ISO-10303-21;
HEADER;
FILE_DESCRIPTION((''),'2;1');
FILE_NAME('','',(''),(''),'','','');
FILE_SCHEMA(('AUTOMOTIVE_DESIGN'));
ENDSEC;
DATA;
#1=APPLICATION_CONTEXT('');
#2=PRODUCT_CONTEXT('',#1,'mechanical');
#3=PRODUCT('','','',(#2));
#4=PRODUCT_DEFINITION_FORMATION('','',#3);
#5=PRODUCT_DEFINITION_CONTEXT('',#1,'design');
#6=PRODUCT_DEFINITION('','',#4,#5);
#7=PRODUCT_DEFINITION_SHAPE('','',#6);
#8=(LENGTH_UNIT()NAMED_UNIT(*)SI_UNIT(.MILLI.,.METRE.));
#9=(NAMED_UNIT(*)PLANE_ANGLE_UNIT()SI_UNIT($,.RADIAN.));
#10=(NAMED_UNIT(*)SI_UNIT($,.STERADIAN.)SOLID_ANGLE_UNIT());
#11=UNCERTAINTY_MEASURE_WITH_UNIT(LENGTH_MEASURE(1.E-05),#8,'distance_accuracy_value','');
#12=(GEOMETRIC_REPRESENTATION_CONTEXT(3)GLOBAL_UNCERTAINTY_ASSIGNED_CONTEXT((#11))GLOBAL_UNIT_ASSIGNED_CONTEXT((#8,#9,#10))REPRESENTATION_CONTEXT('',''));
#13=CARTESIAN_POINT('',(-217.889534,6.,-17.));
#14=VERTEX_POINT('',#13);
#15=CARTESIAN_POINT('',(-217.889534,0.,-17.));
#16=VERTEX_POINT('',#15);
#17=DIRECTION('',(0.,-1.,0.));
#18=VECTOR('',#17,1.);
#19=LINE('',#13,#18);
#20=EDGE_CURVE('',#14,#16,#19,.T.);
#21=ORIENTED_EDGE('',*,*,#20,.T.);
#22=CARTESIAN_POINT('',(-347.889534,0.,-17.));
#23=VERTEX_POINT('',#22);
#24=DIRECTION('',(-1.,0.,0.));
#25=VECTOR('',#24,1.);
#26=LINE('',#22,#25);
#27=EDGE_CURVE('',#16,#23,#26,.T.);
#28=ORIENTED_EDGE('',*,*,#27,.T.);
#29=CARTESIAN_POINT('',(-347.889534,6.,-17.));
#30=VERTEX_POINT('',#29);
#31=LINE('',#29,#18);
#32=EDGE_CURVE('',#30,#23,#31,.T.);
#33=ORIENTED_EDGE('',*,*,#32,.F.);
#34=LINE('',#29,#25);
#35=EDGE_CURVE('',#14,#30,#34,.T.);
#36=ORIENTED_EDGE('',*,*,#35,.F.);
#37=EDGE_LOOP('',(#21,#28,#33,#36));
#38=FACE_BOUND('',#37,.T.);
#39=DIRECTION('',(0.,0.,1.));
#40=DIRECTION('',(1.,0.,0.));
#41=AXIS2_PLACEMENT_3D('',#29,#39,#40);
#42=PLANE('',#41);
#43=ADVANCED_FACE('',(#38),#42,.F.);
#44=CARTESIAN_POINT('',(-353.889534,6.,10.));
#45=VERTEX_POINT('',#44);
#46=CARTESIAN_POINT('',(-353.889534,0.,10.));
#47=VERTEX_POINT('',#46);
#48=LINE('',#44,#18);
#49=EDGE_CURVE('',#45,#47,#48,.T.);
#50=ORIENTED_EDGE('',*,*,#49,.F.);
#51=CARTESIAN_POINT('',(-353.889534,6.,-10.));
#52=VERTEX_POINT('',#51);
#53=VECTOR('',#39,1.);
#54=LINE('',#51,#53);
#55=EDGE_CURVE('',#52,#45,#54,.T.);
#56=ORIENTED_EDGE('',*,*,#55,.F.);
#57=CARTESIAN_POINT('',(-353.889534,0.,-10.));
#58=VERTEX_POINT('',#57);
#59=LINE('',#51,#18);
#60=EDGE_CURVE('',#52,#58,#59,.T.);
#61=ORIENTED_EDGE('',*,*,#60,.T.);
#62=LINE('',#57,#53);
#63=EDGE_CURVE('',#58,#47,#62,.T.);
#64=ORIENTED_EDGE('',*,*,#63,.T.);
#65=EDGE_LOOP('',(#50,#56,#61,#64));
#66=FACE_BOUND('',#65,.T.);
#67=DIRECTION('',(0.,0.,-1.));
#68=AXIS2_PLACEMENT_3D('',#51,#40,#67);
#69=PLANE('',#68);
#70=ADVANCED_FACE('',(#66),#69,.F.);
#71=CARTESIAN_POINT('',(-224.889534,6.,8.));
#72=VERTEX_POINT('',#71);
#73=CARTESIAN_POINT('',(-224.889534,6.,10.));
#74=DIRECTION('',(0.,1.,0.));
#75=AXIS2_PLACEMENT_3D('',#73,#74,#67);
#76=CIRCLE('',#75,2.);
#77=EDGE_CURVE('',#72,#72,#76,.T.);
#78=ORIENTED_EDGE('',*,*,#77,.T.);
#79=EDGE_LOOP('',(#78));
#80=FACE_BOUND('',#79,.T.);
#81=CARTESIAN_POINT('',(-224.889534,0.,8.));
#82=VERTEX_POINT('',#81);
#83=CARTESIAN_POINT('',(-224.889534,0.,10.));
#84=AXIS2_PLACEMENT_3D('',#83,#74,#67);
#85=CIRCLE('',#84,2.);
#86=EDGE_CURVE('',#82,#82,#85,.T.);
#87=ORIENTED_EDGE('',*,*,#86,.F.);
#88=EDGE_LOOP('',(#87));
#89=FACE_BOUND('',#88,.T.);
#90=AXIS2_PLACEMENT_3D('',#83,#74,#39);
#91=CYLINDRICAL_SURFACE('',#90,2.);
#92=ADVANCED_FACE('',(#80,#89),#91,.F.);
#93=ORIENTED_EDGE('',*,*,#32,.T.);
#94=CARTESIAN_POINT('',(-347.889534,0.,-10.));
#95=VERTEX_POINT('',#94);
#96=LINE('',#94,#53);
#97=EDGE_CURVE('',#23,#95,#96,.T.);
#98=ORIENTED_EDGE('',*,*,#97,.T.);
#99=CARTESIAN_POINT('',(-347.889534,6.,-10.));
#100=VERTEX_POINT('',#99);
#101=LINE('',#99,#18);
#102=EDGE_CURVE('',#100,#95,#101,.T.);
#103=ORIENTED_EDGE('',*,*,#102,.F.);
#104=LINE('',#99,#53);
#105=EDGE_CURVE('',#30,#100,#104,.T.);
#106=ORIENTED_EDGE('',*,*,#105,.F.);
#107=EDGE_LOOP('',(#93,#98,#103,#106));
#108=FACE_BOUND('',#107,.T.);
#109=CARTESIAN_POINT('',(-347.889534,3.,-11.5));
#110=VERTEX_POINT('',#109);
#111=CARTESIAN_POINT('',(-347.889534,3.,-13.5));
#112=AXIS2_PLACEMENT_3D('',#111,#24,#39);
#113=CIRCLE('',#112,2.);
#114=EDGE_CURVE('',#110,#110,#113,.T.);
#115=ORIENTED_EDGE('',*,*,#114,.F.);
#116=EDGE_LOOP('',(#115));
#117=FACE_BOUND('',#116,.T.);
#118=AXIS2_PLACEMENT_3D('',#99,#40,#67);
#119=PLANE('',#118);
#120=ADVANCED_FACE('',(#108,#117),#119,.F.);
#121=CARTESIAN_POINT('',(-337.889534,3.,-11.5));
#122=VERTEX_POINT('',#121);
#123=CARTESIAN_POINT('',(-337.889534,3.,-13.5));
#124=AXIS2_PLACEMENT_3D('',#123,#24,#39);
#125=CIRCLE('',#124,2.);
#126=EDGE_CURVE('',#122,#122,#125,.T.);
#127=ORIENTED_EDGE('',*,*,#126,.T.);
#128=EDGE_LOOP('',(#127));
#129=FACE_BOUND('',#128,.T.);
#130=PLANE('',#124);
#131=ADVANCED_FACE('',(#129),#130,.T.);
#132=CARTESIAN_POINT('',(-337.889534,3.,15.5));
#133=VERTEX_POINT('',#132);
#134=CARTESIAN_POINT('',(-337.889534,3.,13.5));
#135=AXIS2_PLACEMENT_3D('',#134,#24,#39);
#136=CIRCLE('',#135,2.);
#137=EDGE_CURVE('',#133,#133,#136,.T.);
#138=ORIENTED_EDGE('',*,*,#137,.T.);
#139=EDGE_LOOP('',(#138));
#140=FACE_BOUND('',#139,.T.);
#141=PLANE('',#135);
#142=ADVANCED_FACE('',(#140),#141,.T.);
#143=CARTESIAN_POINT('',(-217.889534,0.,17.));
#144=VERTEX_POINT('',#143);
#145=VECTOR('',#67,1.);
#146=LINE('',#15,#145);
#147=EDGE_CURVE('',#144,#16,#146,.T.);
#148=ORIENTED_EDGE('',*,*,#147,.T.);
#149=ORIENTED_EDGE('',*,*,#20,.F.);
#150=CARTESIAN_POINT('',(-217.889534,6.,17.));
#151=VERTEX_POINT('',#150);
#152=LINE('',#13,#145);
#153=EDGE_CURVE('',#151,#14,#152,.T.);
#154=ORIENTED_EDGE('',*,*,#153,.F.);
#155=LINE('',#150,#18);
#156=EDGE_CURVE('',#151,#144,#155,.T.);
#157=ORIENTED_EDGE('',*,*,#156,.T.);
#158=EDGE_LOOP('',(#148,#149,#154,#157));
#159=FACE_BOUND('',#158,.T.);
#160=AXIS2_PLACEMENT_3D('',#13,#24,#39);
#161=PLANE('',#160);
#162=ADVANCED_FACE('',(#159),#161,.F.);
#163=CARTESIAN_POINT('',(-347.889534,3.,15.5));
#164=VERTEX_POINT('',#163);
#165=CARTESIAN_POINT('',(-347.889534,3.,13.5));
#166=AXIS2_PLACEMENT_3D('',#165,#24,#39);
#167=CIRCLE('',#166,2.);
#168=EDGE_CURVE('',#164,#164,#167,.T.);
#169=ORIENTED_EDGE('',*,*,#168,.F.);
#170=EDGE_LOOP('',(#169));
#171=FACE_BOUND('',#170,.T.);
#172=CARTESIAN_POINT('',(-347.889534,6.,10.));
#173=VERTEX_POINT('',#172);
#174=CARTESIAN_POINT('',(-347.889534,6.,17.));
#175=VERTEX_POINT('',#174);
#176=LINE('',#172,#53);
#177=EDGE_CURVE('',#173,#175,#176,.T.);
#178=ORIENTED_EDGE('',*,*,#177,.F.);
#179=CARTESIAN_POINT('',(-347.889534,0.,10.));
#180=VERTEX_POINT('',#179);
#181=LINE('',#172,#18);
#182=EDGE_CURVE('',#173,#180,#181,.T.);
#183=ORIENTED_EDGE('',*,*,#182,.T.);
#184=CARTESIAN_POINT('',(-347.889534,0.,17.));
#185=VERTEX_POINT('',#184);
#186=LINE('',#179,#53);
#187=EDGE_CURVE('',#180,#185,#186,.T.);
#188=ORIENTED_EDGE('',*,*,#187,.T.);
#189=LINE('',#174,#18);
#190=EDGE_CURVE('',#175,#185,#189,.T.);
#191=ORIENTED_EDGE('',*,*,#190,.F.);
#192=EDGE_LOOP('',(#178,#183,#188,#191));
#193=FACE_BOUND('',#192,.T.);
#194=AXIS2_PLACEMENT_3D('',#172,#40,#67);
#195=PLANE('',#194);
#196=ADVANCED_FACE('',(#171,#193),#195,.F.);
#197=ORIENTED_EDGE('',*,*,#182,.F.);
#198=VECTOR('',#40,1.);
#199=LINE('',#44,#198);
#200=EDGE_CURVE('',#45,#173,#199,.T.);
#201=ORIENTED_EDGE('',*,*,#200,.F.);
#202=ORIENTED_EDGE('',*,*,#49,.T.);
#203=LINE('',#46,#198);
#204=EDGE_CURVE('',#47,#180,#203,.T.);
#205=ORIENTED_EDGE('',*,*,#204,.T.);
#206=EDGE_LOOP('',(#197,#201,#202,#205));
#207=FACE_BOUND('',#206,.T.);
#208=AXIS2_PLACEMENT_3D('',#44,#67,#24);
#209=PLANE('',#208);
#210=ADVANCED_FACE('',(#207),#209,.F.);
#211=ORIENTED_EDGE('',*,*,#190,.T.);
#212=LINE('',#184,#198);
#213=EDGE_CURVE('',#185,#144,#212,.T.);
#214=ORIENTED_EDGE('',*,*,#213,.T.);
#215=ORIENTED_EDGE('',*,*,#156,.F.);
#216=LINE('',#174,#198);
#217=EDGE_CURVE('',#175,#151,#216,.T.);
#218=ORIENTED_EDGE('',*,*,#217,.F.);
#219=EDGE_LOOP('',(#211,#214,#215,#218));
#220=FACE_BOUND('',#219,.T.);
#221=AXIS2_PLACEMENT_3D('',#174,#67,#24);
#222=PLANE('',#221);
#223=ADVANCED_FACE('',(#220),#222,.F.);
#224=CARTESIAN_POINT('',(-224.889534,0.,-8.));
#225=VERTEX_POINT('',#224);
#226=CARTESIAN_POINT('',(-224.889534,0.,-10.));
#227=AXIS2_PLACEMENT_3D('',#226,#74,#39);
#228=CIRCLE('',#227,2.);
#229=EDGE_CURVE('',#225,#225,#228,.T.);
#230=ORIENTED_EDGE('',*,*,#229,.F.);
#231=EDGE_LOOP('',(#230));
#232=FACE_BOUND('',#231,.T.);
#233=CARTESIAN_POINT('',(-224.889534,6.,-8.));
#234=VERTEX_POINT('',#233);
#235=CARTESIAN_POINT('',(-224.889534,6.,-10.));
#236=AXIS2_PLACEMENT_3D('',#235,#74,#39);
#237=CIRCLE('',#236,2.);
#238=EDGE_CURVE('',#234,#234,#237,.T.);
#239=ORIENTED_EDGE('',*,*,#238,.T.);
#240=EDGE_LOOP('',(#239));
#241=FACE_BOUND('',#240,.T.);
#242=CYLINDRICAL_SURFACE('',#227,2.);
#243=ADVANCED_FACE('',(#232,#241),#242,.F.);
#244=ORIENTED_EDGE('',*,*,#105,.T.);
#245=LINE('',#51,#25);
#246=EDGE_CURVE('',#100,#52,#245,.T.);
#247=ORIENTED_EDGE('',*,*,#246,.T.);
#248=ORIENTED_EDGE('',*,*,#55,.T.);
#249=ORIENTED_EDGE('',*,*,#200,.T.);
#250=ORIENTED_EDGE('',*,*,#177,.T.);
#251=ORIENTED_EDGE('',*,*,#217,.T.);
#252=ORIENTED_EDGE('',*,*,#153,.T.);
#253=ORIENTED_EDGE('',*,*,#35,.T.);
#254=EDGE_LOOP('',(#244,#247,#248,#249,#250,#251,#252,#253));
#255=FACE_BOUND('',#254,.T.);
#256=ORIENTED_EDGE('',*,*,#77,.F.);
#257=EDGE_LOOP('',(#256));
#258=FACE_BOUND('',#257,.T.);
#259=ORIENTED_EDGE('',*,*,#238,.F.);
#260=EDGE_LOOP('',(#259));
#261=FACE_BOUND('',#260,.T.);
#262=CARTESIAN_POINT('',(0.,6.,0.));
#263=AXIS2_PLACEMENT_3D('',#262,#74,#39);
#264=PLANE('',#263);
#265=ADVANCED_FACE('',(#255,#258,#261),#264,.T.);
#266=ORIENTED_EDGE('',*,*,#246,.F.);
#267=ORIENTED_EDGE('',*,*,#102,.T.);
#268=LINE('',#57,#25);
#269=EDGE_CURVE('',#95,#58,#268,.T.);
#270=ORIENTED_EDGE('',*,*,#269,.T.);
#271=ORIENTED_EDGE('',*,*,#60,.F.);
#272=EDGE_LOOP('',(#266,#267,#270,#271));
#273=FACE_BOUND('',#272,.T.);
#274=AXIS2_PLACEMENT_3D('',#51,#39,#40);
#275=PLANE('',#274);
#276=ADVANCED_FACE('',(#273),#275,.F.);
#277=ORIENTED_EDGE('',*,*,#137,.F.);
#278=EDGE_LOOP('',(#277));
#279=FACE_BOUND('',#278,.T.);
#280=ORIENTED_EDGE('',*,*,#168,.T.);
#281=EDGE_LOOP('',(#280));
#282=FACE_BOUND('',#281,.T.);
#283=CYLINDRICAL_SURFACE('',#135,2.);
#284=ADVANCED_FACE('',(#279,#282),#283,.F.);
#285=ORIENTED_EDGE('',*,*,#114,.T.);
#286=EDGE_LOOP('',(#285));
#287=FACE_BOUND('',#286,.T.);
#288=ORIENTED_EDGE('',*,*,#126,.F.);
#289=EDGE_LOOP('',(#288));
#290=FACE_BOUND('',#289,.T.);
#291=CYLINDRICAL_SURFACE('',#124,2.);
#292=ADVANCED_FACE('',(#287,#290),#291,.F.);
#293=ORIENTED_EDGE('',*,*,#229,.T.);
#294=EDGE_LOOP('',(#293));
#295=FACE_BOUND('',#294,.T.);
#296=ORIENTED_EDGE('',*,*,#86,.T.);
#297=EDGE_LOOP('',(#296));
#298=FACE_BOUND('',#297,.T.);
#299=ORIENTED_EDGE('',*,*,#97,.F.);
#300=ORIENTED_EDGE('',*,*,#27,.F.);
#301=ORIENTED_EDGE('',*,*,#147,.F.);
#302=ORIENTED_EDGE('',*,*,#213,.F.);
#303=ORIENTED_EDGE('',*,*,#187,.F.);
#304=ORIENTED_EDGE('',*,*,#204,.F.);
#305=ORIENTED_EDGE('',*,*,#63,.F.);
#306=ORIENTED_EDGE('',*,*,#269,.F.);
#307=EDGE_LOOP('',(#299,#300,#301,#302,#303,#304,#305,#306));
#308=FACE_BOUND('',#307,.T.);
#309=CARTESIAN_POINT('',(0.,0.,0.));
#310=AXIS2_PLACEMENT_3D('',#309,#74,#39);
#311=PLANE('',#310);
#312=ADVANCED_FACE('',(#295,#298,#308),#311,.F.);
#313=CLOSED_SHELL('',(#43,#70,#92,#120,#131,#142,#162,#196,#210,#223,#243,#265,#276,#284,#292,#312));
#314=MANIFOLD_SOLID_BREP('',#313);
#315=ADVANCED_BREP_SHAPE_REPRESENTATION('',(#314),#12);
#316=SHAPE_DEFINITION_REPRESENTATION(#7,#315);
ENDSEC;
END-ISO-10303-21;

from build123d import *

# Parameters (mm, degrees)
BOSS_EXTRU_1_DEPTH      = 6
ESQUISSE3_R             = 2
ENL_V_MAT_EXTRU_2_DEPTH = 10
ESQUISSE5_R             = 2
ENL_V_MAT_EXTRU_3_DEPTH = 355.348418967


with BuildPart() as part:
    # Esquisse2 → Boss.-Extru.1 (new body)
    with BuildSketch(Plane(origin=(0, 0, 0), x_dir=(1, 0, 0), z_dir=(0, 1, 0))):
        Polygon((-347.889533646, 17), (-217.889533646, 17), (-217.889533646, -17), (-347.889533646, -17), (-347.889533646, -10), (-353.889533646, -10), (-353.889533646, 10), (-347.889533646, 10), align=None)
    extrude(amount=BOSS_EXTRU_1_DEPTH)

    # Esquisse3 → Enlèv. mat.-Extru.2 (cut)
    with BuildSketch(Plane.ZY.offset(347.889533646)):
        with Locations((-13.5, 3)):
            Circle(ESQUISSE3_R)
        with Locations((13.5, 3)):
            Circle(ESQUISSE3_R)
    extrude(amount=-ENL_V_MAT_EXTRU_2_DEPTH, mode=Mode.SUBTRACT)

    # Esquisse5 → Enlèv. mat.-Extru.3 (cut, through all)
    with BuildSketch(Plane(origin=(0, 6, 0), x_dir=(1, 0, 0), z_dir=(0, 1, 0))):
        with Locations(Location((-224.889533646, 10, 0), (0, 0, 270))):
            Circle(ESQUISSE5_R)
        with Locations(Location((-224.889533646, -10, 0), (0, 0, 90))):
            Circle(ESQUISSE5_R)
    extrude(amount=-ENL_V_MAT_EXTRU_3_DEPTH, mode=Mode.SUBTRACT)


solid = part.part
